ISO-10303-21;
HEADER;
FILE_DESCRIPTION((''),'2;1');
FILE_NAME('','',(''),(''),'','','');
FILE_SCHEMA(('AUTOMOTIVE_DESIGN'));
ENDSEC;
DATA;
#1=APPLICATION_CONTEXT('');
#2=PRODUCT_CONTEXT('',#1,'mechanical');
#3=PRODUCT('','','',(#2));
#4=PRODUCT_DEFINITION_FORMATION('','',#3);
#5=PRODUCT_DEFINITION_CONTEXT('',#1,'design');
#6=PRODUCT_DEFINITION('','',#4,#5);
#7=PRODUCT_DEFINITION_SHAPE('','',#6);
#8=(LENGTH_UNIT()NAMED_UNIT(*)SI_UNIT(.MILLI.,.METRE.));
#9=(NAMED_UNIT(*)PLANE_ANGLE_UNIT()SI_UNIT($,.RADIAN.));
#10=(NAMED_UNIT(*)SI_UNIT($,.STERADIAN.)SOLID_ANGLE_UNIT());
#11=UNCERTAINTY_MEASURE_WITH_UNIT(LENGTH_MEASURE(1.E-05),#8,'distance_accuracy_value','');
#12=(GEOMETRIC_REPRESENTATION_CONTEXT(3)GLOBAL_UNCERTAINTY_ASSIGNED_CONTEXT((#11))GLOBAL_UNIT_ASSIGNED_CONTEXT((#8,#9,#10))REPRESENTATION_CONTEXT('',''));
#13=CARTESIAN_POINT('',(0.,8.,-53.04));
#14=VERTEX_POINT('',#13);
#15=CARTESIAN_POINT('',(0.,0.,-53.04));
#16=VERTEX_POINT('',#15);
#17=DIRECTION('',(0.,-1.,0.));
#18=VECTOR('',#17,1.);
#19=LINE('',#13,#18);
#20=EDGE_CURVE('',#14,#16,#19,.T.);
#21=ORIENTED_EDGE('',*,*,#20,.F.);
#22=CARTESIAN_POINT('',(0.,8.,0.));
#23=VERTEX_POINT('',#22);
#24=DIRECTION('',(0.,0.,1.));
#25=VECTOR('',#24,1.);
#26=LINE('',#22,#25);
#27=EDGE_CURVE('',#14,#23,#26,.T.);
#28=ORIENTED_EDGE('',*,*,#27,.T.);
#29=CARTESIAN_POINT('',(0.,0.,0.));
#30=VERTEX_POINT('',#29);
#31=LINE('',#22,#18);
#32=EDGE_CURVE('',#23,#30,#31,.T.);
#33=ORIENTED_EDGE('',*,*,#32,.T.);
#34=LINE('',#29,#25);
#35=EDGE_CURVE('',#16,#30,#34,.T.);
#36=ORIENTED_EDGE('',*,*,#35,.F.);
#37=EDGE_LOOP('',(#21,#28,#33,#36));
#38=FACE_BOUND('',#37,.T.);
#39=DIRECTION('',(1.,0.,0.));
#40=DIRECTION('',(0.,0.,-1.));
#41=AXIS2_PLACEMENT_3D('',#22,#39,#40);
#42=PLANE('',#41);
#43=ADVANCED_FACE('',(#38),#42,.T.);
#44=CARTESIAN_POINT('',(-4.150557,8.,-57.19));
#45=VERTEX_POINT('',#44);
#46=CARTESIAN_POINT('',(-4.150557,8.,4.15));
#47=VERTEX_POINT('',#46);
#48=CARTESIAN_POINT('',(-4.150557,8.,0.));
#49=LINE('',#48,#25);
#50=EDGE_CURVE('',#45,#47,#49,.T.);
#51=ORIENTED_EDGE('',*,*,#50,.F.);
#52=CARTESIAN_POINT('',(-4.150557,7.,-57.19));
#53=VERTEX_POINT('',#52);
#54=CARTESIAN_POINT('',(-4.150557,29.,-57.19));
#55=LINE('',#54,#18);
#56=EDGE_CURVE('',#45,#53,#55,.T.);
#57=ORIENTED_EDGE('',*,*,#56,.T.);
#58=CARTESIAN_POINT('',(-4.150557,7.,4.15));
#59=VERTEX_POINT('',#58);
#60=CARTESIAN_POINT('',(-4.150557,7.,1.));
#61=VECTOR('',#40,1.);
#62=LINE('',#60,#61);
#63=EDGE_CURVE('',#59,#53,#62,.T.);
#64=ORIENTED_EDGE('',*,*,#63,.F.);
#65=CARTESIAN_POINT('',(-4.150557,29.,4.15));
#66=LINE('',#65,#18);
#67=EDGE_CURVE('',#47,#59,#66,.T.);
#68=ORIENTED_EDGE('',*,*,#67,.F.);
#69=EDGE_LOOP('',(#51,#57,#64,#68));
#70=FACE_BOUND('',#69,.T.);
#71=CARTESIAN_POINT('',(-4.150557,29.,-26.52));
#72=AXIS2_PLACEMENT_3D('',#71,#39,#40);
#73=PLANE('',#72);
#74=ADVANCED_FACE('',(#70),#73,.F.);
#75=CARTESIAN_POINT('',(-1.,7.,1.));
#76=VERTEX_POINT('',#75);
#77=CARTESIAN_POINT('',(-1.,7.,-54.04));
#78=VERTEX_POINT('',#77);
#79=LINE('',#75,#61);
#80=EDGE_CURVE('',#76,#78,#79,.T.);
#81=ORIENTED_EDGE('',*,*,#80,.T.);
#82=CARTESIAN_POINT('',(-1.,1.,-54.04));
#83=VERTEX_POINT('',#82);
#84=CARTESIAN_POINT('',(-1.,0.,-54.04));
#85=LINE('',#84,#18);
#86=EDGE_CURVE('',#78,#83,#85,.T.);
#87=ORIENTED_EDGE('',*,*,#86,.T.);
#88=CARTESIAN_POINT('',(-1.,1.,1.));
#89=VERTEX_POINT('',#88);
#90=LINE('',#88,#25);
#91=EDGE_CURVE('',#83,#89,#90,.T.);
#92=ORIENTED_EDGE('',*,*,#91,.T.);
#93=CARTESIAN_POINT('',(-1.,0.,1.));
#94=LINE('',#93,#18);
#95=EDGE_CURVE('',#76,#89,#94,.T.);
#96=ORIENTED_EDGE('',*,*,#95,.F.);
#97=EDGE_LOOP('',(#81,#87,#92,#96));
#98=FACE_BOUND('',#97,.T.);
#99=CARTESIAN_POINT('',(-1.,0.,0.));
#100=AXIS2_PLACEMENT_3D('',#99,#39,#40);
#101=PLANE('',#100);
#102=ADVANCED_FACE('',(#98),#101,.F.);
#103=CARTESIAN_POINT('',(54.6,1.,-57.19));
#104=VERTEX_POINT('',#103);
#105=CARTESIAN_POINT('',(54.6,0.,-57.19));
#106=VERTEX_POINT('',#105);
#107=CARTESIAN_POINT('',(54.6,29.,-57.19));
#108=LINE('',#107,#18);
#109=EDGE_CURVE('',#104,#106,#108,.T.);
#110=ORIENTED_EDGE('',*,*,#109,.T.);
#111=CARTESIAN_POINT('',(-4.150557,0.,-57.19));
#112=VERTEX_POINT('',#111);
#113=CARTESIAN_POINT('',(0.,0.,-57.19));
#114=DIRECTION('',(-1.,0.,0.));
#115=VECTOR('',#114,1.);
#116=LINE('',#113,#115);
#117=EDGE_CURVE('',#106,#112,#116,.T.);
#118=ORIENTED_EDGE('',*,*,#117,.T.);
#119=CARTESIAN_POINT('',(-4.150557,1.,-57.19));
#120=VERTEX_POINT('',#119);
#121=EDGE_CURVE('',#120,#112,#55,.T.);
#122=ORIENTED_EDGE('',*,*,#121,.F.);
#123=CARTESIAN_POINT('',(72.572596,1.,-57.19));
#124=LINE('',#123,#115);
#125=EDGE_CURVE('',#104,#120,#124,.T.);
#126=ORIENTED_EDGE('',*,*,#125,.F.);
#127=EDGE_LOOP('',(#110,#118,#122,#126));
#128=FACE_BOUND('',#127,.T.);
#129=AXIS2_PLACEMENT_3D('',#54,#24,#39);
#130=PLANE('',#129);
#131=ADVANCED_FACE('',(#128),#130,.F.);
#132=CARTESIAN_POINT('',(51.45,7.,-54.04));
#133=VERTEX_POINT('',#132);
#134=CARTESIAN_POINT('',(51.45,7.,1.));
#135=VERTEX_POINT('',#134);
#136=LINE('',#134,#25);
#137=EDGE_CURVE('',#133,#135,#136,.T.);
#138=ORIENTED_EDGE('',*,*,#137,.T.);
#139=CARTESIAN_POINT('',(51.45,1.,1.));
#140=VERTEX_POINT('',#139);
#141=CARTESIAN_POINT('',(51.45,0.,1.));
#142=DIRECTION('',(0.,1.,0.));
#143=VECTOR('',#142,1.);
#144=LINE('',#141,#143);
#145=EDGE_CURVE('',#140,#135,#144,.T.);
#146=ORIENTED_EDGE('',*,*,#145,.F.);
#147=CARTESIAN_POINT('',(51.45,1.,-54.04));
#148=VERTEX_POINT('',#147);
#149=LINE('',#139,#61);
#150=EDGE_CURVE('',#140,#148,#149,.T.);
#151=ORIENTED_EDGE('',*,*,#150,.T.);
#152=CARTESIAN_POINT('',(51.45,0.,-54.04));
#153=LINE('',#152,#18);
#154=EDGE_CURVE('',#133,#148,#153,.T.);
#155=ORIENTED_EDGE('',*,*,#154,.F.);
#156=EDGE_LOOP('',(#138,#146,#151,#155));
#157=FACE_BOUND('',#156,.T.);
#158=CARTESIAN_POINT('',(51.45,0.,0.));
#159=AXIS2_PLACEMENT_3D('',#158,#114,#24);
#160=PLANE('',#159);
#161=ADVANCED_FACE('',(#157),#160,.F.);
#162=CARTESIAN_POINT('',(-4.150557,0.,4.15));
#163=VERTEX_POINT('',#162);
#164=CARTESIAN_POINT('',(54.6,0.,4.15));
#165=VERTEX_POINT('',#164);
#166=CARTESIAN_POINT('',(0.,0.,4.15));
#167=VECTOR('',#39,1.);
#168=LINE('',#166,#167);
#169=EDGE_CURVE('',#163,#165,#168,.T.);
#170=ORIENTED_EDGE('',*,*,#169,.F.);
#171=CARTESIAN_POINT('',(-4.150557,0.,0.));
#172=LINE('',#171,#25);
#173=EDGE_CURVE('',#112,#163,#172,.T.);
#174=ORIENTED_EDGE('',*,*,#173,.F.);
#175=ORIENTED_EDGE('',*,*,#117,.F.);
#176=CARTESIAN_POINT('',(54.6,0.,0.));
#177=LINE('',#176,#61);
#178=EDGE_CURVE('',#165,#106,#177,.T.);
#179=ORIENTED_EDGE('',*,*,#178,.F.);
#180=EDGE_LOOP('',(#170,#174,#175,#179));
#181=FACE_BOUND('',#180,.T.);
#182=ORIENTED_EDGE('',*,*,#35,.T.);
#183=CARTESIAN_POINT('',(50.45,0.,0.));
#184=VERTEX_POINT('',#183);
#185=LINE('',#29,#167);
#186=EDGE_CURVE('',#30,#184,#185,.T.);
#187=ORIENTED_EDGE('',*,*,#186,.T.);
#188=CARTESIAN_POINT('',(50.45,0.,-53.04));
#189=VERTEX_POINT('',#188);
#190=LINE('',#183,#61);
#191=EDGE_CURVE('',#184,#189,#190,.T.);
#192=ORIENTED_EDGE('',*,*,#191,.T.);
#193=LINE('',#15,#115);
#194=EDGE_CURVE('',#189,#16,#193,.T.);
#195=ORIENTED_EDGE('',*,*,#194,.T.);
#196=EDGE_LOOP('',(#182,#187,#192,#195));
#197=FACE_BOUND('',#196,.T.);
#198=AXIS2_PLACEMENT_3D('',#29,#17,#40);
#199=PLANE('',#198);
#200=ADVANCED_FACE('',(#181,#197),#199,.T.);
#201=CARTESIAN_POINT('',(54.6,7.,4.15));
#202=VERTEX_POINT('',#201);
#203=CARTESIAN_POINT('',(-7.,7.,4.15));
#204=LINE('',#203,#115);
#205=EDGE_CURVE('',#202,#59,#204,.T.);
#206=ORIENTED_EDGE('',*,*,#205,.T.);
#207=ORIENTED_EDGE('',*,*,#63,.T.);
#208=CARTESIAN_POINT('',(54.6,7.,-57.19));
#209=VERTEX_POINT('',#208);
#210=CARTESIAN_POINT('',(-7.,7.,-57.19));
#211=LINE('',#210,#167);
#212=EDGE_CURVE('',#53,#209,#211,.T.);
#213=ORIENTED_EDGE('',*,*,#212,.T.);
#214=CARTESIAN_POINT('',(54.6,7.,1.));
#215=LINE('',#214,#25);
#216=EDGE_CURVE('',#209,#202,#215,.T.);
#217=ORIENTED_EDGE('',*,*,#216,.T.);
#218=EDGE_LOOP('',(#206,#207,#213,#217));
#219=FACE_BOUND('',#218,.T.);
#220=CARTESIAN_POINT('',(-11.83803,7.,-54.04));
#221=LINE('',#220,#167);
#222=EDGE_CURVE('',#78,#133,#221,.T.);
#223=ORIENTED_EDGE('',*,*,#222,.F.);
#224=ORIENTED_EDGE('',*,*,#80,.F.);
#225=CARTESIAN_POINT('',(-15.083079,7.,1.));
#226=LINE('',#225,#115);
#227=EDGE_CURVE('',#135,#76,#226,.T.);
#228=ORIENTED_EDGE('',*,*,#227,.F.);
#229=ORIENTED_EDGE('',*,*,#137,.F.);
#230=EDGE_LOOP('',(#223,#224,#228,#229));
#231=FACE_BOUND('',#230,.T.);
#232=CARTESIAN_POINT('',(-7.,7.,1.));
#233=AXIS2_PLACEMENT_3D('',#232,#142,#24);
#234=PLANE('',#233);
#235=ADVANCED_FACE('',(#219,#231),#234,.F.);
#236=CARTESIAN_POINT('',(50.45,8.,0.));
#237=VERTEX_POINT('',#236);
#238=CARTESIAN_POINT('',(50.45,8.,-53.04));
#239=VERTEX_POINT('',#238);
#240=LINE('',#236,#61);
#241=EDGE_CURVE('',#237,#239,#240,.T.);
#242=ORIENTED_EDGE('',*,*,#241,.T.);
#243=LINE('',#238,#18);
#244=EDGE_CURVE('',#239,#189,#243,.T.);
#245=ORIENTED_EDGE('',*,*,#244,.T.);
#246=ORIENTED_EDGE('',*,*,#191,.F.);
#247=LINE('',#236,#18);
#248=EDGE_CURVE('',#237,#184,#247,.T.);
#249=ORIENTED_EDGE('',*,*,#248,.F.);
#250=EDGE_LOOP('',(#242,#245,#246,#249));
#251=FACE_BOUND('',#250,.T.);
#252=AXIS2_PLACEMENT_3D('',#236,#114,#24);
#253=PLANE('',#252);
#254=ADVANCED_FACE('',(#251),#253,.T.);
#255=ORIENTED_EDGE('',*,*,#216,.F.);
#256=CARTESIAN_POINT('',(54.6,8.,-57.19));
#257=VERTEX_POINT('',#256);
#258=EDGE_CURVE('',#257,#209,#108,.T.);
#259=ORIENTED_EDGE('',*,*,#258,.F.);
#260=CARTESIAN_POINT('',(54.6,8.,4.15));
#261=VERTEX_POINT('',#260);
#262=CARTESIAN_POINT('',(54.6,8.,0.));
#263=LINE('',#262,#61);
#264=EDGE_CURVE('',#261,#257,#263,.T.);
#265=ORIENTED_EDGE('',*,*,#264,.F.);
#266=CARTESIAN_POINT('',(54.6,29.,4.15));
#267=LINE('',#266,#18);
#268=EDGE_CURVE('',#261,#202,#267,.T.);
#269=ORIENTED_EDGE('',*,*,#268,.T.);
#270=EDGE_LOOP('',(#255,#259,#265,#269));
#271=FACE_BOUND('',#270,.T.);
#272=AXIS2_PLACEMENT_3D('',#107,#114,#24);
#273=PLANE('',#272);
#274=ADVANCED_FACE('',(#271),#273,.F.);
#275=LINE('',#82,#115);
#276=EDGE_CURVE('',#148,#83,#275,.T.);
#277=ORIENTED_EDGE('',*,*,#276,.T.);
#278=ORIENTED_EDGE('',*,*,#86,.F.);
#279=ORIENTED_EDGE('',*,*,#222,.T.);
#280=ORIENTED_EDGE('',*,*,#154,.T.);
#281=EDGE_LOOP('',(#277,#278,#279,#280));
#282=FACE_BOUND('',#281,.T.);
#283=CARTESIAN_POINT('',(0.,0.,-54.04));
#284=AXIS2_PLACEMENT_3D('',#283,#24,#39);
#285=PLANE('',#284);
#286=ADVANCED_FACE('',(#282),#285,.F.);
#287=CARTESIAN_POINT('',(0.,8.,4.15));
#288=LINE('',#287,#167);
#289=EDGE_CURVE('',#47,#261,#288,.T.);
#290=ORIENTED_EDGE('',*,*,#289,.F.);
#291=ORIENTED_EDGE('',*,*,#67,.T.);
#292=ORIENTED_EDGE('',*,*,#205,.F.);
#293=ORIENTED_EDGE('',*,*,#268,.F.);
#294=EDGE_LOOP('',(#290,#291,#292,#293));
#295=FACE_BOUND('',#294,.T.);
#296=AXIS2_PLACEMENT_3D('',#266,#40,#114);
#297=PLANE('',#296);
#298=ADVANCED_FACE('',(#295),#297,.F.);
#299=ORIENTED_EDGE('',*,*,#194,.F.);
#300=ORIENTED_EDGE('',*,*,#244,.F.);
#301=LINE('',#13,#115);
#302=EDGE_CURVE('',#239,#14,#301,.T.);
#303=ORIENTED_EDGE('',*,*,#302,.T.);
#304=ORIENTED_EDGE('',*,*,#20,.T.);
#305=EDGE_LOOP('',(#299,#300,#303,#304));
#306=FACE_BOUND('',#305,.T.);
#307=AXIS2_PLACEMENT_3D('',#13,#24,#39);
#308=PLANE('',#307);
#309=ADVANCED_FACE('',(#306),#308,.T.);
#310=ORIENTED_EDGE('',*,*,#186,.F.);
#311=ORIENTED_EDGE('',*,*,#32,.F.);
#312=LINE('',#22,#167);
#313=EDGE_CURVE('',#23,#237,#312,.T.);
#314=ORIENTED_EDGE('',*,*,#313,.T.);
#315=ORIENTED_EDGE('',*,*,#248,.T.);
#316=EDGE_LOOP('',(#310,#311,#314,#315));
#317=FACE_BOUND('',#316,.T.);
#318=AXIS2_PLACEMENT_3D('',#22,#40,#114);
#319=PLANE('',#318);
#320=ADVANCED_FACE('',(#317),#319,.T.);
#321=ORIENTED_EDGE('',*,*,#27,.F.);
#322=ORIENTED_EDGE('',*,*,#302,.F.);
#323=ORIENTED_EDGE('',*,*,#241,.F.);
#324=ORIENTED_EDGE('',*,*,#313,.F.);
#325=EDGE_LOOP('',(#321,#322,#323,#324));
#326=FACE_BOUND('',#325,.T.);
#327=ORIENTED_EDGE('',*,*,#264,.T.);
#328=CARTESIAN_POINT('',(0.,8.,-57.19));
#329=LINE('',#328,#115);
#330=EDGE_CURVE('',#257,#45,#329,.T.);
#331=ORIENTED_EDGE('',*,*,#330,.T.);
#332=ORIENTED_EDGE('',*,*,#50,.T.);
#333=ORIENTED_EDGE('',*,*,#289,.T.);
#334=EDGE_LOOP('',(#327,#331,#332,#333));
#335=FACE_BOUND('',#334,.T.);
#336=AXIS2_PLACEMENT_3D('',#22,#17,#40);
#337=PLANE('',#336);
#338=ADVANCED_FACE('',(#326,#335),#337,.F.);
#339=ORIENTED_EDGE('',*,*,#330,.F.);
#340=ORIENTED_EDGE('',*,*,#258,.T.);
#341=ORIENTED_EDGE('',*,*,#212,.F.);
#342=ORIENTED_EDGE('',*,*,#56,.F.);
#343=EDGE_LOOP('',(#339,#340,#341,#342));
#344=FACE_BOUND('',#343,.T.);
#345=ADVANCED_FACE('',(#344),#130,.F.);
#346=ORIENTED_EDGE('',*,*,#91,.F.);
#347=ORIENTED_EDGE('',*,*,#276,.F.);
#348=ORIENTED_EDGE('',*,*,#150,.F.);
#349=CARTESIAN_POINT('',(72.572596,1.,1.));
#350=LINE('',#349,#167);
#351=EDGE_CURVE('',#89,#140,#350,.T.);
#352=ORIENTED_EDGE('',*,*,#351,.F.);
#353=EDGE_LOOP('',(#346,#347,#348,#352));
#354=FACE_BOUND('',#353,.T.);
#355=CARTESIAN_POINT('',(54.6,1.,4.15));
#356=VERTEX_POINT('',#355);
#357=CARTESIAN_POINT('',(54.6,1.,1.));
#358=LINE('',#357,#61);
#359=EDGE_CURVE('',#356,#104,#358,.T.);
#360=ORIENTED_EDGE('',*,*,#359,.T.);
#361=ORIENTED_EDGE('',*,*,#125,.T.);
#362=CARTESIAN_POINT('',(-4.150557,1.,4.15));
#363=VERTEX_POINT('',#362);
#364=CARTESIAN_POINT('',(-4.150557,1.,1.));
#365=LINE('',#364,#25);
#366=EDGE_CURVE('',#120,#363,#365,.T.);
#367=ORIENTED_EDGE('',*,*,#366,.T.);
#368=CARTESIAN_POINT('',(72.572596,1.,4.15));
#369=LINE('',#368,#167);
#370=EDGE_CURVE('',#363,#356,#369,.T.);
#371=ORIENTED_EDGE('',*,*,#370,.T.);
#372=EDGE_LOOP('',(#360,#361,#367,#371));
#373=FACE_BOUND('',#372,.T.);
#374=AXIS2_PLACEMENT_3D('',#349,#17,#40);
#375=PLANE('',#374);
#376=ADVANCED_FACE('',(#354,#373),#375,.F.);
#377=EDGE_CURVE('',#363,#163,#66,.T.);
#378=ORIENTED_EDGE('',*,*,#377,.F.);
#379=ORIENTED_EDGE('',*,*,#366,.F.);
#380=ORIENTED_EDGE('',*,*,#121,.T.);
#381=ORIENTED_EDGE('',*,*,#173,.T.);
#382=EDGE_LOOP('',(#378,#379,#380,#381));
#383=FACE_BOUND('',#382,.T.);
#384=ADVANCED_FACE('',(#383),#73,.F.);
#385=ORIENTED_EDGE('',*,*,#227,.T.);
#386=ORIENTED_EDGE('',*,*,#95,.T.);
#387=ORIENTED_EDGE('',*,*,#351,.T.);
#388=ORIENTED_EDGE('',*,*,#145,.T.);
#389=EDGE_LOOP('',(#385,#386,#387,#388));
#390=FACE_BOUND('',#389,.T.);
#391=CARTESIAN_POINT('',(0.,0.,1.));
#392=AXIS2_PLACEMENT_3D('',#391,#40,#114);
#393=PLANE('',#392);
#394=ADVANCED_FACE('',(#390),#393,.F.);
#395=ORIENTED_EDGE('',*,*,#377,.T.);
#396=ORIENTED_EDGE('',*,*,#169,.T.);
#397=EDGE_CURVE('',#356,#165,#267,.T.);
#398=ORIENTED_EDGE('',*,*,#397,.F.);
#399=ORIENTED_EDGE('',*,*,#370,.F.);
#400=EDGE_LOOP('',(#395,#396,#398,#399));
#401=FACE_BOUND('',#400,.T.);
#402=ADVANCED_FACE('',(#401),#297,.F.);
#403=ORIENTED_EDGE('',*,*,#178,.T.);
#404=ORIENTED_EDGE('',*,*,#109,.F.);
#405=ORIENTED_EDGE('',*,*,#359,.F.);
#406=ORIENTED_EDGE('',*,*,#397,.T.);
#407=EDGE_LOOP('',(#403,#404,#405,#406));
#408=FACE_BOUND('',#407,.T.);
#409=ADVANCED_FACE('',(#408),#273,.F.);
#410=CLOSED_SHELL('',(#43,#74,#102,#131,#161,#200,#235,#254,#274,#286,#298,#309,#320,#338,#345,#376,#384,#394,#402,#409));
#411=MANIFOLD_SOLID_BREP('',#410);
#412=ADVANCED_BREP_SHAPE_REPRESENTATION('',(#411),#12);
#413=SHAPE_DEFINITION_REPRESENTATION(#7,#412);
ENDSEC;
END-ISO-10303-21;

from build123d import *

# Parameters (mm, degrees)
SKETCH1_W               = 50.45
SKETCH1_H               = 53.04
BOSS_EXTRUDE1_DEPTH     = 8
CUT_EXTRUDE1_DEPTH      = 6
CUT_EXTRUDE2_DEPTH      = 6
CUT_EXTRUDE3_DEPTH      = 6
CUT_EXTRUDE4_DEPTH      = 6
CUT_EXTRUDE5_DEPTH      = 21
CUT_EXTRUDE5_DEPTH_BACK = 19
SKETCH6_W               = 64.45
SKETCH6_H               = 67.04


with BuildPart() as part:
    # Sketch1 → Boss-Extrude1 (new body)
    with BuildSketch(Plane(origin=(0, 0, 0), x_dir=(1, 0, 0), z_dir=(0, 1, 0))):
        Polygon((50.45, 60.04), (57.45, 60.04), (57.45, 53.04), (57.45, 0), (57.45, -7), (50.45, -7), (0, -7), (-7, -7), (-7, 53.04), (-7, 60.04), (0, 60.04), align=None)
        with Locations((25.225, 26.52)):
            Rectangle(SKETCH1_W, SKETCH1_H, mode=Mode.SUBTRACT)
    extrude(amount=BOSS_EXTRUDE1_DEPTH)

    # Sketch2 → Cut-Extrude1 (cut)
    with BuildSketch(Plane.XY.offset(7)):
        Polygon((-7, 7), (72.572595869, 7), (72.572595869, 1), (-15.083079444, 1), (-15.083079444, 7), align=None)
    extrude(amount=-CUT_EXTRUDE1_DEPTH, mode=Mode.SUBTRACT)

    # Sketch3 → Cut-Extrude2 (cut)
    with BuildSketch(Plane.ZY.offset(7)):
        Polygon((1, 7), (-62.487898414, 7), (-62.487898414, 1), (1, 1), (11.114700275, 1), (11.114700275, 7), align=None)
    extrude(amount=-CUT_EXTRUDE2_DEPTH, mode=Mode.SUBTRACT)

    # Sketch4 → Cut-Extrude3 (cut)
    with BuildSketch(Plane(origin=(0, 0, -60.04), x_dir=(-1, 0, 0), z_dir=(0, 0, -1))):
        Polygon((1, 7), (-63.689958153, 7), (-63.689958153, 1), (1, 1), (11.838030302, 1), (11.838030302, 7), align=None)
    extrude(amount=-CUT_EXTRUDE3_DEPTH, mode=Mode.SUBTRACT)

    # Sketch5 → Cut-Extrude4 (cut)
    with BuildSketch(Plane(origin=(57.45, 0, 0), x_dir=(0, 0, -1), z_dir=(1, 0, 0))):
        Polygon((-1, 7), (54.04, 7), (62.072343262, 7), (62.072343262, 1), (-1, 1), (-8.754047033, 1), (-8.754047033, 7), align=None)
    extrude(amount=-CUT_EXTRUDE4_DEPTH, mode=Mode.SUBTRACT)

    # Sketch6 → Cut-Extrude5 (cut, two sides: drawn at the far end of the back side and taken through both)
    with BuildSketch(Plane(origin=(0, 8, 0), x_dir=(1, 0, 0), z_dir=(0, 1, 0)).offset(-CUT_EXTRUDE5_DEPTH_BACK)):
        with Locations((25.225, 26.52)):
            Rectangle(SKETCH6_W, SKETCH6_H)
        Polygon((-4.150556557, 26.52), (-4.150556557, 57.19), (54.6, 57.19), (54.6, -4.15), (-4.150556557, -4.15), align=None, mode=Mode.SUBTRACT)
    extrude(amount=CUT_EXTRUDE5_DEPTH + CUT_EXTRUDE5_DEPTH_BACK, mode=Mode.SUBTRACT)


solid = part.part
